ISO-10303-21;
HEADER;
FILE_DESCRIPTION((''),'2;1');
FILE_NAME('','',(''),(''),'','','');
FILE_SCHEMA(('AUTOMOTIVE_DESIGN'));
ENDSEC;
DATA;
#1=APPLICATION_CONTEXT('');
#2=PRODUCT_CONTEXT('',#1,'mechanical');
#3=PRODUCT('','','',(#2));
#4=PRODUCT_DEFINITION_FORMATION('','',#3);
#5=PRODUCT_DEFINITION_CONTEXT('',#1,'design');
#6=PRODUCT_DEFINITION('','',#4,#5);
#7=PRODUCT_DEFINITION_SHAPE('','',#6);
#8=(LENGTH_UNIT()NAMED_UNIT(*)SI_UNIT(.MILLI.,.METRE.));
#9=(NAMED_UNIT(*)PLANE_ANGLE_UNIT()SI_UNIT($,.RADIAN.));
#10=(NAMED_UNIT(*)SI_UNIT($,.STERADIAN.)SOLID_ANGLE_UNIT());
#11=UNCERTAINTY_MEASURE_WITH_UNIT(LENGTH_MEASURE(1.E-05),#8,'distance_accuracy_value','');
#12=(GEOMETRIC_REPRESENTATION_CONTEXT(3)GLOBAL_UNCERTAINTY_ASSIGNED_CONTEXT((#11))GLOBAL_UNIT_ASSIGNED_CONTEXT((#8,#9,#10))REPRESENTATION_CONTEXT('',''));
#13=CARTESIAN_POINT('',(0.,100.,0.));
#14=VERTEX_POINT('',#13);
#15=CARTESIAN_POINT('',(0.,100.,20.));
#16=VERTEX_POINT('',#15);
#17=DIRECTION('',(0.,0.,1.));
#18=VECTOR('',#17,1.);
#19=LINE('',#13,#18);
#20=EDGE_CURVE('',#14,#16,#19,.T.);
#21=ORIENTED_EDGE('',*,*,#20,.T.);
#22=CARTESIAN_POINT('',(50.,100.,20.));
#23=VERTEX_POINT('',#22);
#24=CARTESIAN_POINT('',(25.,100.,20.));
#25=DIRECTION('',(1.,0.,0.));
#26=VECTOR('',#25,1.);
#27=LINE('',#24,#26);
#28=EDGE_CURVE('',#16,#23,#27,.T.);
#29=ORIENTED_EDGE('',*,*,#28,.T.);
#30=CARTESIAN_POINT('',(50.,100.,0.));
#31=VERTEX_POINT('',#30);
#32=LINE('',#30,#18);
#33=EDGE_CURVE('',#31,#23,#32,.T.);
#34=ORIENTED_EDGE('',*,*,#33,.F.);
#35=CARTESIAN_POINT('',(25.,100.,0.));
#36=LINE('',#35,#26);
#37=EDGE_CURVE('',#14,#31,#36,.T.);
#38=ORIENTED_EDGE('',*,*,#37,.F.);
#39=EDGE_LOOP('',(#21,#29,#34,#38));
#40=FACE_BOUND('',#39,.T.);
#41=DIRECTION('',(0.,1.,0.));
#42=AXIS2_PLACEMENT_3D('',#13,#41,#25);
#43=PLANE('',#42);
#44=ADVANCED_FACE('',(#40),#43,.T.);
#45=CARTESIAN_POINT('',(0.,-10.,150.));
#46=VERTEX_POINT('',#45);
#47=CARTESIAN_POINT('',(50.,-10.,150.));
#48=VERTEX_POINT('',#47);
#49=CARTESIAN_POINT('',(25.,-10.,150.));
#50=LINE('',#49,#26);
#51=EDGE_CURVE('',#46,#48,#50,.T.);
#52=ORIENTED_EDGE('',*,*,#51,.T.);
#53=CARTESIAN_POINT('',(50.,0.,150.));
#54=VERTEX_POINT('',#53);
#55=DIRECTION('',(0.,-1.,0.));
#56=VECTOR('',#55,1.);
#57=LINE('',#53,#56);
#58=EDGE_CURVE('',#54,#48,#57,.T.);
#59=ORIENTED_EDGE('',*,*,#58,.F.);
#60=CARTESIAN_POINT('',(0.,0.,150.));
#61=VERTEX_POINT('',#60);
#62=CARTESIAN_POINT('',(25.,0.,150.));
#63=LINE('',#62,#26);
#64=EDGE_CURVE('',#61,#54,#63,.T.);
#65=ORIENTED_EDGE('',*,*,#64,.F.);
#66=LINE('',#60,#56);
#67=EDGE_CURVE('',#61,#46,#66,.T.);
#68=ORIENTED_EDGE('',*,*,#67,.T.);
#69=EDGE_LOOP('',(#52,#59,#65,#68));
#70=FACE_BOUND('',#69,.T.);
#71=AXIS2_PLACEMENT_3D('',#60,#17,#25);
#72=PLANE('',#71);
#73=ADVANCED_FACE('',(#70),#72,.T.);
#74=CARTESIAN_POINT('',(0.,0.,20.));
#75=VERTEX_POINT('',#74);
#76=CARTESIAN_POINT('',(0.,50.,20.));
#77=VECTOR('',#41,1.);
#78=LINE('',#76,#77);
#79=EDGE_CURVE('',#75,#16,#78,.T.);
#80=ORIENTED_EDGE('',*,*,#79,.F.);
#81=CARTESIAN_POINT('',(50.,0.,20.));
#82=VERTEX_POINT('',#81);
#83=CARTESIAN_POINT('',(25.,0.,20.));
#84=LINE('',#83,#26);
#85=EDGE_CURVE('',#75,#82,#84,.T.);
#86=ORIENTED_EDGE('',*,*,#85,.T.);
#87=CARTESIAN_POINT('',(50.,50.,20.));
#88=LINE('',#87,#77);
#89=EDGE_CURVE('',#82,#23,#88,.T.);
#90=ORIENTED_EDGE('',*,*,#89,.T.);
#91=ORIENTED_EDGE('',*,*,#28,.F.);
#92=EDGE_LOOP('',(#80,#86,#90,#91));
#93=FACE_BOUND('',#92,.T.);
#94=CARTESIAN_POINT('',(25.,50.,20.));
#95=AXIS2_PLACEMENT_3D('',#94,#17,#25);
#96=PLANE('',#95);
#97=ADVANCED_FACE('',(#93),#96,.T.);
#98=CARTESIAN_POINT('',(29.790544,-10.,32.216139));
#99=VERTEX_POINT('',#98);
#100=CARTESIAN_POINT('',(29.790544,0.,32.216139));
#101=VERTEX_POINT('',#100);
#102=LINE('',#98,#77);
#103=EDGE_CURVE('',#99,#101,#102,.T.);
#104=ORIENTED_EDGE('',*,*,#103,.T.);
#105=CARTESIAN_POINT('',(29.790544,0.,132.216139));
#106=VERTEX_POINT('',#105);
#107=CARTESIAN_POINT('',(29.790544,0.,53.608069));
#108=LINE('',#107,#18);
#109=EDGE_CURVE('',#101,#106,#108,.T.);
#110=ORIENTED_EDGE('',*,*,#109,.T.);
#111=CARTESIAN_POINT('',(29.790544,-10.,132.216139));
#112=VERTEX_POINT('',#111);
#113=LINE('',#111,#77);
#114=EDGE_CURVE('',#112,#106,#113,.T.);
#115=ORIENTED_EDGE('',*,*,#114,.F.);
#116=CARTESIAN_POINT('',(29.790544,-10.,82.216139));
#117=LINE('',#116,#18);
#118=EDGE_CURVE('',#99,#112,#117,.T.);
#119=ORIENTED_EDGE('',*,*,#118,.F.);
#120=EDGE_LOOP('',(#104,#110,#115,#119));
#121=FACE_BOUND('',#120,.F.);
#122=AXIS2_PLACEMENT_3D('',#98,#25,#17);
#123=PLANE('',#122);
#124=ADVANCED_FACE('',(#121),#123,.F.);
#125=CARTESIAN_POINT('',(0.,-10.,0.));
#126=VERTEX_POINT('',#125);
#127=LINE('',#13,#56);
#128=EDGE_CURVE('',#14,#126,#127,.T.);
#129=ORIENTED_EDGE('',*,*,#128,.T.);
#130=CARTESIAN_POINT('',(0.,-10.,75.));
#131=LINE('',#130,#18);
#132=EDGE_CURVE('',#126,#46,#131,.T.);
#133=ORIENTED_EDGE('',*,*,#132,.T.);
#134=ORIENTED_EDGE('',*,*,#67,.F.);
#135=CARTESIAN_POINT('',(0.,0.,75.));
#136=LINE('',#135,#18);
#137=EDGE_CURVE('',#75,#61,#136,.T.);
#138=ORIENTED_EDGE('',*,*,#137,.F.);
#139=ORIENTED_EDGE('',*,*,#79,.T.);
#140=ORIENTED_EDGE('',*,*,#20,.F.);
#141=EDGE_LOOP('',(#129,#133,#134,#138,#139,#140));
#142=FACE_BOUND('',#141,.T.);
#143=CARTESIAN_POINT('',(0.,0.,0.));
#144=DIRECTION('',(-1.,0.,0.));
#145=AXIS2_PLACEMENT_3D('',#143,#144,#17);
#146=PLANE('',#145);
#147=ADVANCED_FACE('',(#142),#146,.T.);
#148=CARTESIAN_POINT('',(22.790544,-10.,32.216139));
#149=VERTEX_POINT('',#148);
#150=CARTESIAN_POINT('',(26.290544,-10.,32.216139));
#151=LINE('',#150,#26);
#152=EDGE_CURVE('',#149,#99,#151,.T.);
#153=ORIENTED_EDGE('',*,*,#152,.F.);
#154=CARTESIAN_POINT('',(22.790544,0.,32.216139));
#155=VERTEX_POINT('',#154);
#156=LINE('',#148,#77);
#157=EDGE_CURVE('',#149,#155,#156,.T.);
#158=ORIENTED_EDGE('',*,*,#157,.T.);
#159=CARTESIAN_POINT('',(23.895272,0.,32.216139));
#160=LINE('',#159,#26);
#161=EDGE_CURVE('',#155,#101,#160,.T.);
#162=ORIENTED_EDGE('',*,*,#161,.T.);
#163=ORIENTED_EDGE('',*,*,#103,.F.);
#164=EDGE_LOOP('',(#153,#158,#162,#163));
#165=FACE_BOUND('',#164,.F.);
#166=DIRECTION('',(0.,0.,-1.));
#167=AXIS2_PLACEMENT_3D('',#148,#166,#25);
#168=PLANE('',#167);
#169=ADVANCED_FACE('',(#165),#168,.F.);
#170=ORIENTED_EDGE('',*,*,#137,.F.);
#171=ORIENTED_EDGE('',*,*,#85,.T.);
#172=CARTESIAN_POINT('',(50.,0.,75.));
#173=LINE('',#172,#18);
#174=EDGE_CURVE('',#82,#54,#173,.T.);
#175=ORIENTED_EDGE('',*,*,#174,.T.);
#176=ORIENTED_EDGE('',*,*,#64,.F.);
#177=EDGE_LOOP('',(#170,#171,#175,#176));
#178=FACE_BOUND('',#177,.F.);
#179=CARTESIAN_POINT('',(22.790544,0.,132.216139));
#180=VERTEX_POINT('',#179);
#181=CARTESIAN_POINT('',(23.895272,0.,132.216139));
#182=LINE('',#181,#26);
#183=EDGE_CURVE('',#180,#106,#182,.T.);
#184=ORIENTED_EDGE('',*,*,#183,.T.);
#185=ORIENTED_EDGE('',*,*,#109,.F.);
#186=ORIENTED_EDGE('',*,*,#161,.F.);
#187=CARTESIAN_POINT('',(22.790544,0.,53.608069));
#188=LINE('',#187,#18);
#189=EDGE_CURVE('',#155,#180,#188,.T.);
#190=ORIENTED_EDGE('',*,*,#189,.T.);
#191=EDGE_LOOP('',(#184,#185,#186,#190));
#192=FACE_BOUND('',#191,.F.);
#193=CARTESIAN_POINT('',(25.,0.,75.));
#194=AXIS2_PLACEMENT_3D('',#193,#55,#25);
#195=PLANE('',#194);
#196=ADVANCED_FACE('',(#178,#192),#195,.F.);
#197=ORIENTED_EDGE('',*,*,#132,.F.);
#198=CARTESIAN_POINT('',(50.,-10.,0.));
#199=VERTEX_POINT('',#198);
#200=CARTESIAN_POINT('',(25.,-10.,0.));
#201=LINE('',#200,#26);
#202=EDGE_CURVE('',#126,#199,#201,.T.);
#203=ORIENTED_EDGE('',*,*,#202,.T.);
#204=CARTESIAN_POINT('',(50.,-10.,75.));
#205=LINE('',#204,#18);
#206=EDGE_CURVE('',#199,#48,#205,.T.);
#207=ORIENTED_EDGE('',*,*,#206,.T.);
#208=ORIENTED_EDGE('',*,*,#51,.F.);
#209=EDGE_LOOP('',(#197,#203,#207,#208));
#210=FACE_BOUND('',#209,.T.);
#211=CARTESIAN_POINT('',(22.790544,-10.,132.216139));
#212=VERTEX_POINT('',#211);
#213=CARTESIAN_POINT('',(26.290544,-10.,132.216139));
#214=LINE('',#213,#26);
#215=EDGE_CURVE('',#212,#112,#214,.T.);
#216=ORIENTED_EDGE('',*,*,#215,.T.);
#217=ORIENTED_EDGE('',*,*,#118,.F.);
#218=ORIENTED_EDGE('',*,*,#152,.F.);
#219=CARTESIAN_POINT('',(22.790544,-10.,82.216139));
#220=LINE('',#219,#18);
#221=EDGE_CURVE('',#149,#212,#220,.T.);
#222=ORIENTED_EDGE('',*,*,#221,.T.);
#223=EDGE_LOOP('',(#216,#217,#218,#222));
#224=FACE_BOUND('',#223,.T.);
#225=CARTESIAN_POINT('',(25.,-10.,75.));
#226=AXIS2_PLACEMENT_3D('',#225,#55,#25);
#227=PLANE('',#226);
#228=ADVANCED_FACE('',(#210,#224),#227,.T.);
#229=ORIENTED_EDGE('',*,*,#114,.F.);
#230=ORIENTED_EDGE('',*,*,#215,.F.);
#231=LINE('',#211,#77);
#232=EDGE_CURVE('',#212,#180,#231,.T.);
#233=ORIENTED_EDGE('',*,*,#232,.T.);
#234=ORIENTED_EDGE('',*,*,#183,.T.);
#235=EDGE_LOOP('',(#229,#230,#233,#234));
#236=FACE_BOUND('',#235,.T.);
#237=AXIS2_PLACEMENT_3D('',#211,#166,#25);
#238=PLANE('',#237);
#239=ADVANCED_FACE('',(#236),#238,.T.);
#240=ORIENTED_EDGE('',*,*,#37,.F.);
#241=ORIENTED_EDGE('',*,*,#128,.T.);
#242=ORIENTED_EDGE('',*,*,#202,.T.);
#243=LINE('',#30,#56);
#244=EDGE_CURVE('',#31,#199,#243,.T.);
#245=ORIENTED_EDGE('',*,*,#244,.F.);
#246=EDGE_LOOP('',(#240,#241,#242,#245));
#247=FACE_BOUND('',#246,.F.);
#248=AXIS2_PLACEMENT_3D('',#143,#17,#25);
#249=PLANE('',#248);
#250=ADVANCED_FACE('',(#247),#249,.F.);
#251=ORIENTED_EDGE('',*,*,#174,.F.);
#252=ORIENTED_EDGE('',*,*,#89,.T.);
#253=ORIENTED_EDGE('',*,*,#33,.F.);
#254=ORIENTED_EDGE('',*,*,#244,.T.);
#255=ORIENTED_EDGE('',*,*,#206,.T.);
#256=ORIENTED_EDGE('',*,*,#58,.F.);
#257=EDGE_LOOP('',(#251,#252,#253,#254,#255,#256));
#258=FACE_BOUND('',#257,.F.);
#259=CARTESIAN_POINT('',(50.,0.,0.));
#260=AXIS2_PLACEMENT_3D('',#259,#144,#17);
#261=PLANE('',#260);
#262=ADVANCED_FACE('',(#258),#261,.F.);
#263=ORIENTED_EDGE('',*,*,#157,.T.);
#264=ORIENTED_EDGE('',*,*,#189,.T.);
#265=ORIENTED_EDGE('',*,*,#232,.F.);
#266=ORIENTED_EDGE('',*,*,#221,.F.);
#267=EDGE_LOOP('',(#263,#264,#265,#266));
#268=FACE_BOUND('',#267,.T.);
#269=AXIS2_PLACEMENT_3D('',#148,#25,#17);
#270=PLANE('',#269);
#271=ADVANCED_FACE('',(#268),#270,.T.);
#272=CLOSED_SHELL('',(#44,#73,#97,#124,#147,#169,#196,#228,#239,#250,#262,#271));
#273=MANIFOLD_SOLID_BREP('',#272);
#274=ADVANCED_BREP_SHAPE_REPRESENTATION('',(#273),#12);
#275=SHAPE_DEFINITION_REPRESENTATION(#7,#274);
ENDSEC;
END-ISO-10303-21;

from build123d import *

# Parameters (mm, degrees)
F0_W     = 50
F0_H     = 100
F1_DEPTH = 20
F2_W     = 50
F2_H     = 150
F3_DEPTH = 10
F5_W     = 7
F5_H     = 100
F6_DEPTH = 25


with BuildPart() as f1:
    # F0 (on Top) → F1 (new body)
    with BuildSketch(Plane.XY):
        with Locations((25, 50)):
            Rectangle(F0_W, F0_H)
    extrude(amount=F1_DEPTH)

    # F2 (on Front) → F3 (join)
    with BuildSketch(Plane.XZ):
        with Locations((25, 75)):
            Rectangle(F2_W, F2_H)
    extrude(amount=F3_DEPTH)

    # F5 (on face) → F6 (cut)
    with BuildSketch(Plane.XZ.offset(10)):
        with Locations((26.290544, 82.216139)):
            Rectangle(F5_W, F5_H)
    extrude(amount=-F6_DEPTH, mode=Mode.SUBTRACT)


solid = f1.part
